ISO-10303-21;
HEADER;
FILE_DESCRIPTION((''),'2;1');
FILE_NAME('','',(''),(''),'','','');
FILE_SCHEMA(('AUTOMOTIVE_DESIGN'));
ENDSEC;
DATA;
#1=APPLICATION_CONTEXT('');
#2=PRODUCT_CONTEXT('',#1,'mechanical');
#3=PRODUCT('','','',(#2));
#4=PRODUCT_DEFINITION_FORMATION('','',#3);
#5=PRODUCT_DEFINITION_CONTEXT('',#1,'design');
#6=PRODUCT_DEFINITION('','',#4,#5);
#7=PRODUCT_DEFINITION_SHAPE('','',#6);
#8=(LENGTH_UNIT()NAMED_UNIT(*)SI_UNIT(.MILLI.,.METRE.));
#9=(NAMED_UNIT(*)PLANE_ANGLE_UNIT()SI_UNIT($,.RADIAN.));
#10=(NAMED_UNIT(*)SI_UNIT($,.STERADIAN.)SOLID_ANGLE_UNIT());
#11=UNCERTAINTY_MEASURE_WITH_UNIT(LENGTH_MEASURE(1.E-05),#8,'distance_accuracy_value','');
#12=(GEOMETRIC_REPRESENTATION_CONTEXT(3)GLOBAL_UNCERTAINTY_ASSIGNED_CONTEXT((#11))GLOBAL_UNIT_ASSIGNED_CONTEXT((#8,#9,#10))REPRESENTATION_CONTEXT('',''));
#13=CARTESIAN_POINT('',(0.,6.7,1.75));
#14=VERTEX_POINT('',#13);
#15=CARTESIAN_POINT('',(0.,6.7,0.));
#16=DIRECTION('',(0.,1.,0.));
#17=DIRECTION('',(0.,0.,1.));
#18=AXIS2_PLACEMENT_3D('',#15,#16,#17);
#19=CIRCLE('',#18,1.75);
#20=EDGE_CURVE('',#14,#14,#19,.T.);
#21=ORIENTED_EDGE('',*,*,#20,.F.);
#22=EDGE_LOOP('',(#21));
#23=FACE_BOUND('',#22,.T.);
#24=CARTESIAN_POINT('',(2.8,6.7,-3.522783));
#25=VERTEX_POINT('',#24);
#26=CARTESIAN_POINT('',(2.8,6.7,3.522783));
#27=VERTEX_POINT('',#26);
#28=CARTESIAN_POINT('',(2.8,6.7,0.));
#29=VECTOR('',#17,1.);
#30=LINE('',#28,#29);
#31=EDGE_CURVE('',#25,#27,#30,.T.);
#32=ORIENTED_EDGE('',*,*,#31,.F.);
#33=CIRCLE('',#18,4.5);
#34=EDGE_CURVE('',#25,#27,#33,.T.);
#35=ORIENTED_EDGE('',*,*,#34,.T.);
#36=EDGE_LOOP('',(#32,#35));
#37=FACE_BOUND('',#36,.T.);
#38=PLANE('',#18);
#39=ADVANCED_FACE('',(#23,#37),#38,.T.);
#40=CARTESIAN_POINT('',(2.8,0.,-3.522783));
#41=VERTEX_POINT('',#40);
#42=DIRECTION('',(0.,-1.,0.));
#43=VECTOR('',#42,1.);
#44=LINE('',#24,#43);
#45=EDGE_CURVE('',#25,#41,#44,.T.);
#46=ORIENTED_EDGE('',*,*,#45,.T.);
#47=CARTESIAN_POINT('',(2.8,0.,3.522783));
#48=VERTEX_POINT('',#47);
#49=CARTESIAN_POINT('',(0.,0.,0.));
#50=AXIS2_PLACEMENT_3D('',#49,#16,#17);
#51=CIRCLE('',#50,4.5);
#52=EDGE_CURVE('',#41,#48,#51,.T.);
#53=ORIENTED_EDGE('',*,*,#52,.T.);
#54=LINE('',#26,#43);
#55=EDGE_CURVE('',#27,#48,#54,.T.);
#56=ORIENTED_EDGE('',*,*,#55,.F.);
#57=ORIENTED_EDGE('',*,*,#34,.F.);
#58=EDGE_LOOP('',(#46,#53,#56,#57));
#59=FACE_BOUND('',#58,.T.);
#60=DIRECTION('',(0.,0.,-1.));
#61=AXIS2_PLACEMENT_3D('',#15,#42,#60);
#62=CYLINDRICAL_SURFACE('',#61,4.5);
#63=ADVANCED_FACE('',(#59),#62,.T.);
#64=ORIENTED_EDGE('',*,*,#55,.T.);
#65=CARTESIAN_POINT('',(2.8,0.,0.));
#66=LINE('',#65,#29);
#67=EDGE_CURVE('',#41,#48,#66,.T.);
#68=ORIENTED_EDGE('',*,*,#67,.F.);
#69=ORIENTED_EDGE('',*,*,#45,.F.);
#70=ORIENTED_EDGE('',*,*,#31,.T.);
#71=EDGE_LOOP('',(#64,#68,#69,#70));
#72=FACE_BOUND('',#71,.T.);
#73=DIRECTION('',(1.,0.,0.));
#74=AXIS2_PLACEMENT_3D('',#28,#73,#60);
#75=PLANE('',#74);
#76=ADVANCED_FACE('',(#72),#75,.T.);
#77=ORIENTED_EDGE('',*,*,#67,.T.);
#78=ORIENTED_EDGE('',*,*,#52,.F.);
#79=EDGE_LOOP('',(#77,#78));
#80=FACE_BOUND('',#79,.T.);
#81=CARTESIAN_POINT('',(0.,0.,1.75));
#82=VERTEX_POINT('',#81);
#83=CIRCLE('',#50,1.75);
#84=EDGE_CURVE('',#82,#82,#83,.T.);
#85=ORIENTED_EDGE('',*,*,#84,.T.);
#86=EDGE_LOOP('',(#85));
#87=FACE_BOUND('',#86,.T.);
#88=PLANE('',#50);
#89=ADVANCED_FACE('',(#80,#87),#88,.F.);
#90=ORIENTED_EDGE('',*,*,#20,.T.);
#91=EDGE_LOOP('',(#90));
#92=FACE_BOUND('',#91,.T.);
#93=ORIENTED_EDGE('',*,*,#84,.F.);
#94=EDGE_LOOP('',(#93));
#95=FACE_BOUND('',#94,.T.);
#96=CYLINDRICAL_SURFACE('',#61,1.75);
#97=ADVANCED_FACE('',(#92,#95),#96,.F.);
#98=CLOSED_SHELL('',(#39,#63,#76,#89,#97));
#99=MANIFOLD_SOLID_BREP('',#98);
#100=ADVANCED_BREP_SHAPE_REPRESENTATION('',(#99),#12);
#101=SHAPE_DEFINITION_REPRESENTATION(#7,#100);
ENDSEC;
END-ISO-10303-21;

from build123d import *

# Parameters (mm, degrees)
SKETCH_2_R      = 1.75
EXTRUDE_1_DEPTH = 6.7


with BuildPart() as part:
    # 草图2 → 凸台-拉伸1 (new body)
    with BuildSketch(Plane(origin=(0, 0, 0), x_dir=(1, 0, 0), z_dir=(0, 1, 0))):
        with BuildLine():
            Line((2.8, -3.522782991), (2.8, 3.522782991))
            ThreePointArc((2.8, 3.522782991), (-4.5, 0), (2.8, -3.522782991))
        make_face()
        with Locations(Location((0, 0, 0), (0, 0, 270))):
            Circle(SKETCH_2_R, mode=Mode.SUBTRACT)
    extrude(amount=EXTRUDE_1_DEPTH)


solid = part.part
